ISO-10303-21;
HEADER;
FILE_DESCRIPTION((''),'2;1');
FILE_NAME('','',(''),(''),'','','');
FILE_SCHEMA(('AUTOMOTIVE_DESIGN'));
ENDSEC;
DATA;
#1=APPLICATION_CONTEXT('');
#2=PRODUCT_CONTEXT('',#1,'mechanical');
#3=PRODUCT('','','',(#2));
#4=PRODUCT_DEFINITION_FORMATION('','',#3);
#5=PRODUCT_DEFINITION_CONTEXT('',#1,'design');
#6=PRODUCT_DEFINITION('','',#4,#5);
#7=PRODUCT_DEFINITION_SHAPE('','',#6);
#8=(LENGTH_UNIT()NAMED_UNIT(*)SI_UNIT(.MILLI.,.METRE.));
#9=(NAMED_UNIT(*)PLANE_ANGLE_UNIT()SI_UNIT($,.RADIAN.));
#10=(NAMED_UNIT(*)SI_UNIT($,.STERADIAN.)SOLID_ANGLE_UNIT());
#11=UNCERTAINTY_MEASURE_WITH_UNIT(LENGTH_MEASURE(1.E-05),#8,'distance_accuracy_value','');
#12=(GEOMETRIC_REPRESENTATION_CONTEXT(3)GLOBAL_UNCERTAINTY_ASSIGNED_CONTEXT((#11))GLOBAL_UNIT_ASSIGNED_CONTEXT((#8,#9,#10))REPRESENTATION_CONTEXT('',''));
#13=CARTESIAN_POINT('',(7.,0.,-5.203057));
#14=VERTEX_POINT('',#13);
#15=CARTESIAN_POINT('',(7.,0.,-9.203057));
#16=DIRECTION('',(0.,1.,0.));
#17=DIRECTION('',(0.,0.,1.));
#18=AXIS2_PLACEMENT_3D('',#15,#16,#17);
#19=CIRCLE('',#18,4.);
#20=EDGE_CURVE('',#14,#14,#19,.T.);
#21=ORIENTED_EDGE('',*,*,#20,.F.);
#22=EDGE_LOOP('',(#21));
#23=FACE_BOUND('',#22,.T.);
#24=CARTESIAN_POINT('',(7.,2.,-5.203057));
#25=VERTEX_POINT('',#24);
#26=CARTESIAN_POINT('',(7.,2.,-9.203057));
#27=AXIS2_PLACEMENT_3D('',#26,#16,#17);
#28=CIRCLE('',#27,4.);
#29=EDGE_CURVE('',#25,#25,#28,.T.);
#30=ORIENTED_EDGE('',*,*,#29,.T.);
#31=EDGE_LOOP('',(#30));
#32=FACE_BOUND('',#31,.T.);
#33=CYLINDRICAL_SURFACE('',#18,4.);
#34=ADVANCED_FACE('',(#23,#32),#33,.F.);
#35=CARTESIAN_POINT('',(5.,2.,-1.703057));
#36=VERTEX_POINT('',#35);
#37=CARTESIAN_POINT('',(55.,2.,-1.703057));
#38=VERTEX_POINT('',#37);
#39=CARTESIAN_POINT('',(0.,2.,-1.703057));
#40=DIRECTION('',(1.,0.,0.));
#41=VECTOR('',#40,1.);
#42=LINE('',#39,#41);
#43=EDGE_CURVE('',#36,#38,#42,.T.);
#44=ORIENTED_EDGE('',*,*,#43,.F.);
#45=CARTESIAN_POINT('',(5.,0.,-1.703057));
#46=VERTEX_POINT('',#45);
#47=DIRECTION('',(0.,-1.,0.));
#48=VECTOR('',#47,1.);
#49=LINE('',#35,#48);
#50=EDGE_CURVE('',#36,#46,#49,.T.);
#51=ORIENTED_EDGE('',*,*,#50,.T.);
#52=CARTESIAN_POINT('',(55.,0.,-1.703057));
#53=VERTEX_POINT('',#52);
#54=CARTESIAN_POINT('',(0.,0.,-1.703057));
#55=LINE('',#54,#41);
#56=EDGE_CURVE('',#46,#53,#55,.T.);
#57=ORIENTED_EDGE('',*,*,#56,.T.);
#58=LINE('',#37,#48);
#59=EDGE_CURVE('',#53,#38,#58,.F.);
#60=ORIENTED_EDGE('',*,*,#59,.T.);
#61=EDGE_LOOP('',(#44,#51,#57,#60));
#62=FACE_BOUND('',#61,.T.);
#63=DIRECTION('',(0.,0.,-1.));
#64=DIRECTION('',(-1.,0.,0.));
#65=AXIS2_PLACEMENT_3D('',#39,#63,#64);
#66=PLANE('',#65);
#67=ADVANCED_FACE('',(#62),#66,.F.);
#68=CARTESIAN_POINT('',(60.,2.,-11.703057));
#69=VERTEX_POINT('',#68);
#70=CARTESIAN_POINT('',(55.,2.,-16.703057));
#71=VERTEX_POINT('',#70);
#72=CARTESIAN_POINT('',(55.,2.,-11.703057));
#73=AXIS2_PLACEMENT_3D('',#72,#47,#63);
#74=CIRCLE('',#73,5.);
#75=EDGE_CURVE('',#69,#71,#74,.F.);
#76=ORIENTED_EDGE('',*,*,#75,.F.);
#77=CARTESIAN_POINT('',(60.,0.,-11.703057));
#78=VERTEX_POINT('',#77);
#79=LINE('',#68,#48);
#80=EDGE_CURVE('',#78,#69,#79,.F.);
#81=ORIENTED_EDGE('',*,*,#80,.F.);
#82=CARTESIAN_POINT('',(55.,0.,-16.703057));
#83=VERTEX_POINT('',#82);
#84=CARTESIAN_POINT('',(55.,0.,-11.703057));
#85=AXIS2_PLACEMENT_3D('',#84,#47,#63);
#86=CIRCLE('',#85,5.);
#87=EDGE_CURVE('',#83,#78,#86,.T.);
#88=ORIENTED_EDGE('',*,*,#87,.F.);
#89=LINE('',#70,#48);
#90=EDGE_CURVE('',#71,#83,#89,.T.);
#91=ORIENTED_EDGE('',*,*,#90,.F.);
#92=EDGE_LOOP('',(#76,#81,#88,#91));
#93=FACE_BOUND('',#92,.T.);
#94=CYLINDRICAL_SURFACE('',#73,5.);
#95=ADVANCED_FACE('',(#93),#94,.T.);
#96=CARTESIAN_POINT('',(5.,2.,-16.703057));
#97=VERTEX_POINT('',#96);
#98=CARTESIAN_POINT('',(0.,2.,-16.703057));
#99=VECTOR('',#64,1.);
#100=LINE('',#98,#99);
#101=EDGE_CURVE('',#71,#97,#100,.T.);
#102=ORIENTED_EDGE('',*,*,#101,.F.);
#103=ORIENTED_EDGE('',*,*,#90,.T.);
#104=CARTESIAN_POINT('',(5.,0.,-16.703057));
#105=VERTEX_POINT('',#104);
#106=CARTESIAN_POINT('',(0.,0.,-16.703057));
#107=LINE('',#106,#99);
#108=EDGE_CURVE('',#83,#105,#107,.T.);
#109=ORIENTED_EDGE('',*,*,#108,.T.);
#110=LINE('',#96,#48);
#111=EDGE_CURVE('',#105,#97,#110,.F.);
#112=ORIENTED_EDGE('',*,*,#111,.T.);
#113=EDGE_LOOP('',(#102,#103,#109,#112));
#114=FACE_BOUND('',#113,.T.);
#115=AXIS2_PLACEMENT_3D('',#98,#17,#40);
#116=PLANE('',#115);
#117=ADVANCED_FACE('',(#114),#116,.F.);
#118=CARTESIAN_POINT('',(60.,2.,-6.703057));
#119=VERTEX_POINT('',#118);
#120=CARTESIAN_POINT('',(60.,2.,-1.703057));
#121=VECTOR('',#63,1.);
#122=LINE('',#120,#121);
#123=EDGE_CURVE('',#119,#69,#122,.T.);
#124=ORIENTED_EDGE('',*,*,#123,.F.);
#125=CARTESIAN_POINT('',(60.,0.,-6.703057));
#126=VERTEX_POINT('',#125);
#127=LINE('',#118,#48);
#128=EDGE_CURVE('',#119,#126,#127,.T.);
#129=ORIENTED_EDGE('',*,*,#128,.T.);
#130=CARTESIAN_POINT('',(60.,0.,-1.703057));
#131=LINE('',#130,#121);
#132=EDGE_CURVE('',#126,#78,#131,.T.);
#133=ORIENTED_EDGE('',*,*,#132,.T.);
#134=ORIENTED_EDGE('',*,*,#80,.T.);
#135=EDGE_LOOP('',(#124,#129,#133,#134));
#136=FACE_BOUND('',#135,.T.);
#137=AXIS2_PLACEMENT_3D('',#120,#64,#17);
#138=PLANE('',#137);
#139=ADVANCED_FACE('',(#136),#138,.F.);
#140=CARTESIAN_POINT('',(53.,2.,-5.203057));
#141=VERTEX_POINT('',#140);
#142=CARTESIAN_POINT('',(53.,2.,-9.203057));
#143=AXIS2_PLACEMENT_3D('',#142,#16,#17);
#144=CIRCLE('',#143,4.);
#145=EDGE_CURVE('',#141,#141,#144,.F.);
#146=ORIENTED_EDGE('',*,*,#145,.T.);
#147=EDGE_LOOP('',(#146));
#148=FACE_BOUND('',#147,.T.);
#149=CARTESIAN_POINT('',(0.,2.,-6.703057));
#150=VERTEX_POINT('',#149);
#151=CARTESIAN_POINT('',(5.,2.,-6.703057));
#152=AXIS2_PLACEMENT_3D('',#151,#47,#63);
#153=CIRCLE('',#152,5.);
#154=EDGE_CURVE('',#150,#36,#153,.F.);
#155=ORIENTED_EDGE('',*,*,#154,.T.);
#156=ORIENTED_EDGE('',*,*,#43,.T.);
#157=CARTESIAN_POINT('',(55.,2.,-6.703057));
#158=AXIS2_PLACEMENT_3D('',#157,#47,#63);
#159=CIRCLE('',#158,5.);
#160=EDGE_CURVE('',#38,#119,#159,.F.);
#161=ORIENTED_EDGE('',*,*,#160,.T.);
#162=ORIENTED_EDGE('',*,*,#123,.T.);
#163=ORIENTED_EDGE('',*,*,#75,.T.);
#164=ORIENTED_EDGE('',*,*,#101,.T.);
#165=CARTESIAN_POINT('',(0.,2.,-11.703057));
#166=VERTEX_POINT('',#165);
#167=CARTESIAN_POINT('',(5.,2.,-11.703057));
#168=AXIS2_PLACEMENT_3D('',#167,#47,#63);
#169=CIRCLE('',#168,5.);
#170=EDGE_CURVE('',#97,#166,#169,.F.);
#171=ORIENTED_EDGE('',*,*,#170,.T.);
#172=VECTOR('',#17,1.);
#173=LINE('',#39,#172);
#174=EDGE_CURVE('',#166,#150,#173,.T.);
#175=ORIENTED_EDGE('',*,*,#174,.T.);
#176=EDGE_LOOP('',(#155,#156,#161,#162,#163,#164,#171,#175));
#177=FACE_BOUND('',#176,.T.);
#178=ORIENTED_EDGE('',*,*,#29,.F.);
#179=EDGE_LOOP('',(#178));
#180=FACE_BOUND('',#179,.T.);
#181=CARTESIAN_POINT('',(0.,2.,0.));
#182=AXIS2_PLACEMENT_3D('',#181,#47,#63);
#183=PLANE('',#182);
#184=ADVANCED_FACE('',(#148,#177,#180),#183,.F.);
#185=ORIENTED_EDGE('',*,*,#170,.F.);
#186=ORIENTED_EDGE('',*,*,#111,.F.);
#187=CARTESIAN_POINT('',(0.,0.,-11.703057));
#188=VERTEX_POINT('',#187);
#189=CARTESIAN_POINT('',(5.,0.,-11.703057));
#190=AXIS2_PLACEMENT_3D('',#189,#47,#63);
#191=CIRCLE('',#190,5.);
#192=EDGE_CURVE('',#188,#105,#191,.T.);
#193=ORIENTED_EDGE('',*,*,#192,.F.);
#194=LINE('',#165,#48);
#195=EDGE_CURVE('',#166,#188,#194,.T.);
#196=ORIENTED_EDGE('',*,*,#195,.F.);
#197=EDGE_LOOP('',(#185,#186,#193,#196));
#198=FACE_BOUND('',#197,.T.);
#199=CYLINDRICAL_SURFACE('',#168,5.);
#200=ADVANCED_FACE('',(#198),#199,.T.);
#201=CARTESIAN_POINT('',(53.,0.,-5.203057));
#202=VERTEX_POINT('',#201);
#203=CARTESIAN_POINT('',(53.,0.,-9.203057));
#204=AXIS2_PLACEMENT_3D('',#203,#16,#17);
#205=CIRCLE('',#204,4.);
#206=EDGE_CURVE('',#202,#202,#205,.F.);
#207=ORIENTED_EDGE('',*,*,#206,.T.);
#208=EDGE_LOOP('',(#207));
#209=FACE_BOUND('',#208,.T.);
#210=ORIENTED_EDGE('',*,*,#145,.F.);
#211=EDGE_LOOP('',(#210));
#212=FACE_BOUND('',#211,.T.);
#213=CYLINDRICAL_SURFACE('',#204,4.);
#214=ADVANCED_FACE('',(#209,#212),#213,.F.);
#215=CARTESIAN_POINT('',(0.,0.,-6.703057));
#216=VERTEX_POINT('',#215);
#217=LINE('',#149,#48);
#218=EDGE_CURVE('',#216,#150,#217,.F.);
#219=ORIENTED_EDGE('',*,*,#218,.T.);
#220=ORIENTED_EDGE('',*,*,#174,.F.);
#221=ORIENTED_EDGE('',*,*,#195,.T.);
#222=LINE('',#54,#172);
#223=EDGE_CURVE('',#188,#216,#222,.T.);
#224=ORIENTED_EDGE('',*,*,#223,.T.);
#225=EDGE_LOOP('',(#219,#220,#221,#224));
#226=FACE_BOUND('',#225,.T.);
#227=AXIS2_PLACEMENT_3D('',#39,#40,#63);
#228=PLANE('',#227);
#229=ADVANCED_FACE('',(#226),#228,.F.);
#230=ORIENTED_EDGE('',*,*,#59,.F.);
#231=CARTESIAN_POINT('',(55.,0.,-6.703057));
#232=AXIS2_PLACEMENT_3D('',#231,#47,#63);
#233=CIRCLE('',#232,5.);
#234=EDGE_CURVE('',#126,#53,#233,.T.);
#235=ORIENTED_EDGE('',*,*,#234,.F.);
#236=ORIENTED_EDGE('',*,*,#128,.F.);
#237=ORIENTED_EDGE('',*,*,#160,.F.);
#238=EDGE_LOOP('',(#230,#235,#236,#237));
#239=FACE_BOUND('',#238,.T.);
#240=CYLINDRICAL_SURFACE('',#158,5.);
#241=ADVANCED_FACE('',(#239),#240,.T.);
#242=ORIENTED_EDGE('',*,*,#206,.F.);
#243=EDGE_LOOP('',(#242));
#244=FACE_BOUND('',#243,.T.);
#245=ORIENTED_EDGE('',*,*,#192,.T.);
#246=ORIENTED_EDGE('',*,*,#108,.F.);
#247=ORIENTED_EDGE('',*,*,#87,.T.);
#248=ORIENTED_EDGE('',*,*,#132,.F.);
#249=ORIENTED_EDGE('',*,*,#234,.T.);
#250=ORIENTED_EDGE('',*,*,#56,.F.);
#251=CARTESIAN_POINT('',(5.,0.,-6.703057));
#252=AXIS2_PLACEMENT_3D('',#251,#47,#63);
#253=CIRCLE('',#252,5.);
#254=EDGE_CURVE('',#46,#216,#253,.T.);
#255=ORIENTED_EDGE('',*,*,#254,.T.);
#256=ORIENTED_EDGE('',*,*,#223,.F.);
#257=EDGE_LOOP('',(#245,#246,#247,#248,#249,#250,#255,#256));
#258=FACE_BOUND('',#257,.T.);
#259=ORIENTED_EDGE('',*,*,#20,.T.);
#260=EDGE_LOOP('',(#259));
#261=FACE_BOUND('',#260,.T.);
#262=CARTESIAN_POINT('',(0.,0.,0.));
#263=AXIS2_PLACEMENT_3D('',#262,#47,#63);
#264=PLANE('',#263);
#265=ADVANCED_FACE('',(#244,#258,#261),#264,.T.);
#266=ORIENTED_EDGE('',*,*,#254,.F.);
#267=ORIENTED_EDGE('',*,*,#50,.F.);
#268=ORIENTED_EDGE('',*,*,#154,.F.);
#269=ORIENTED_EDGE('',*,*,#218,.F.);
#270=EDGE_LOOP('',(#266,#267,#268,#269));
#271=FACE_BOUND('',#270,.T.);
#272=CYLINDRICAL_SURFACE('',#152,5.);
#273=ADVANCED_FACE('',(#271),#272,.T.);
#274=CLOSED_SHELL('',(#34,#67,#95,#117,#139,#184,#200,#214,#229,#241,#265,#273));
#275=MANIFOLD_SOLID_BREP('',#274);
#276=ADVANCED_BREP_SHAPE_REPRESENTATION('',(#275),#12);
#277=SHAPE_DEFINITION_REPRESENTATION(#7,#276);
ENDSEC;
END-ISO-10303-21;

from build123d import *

# Parameters (mm, degrees)
SKETCH1_W           = 60
SKETCH1_H           = 15
BOSS_EXTRUDE1_DEPTH = 2
SKETCH2_R           = 4
CUT_EXTRUDE1_DEPTH  = 2
FILLET2_R           = 5


with BuildPart() as part:
    # Sketch1 → Boss-Extrude1 (new body)
    with BuildSketch(Plane(origin=(0, 0, 0), x_dir=(1, 0, 0), z_dir=(0, 1, 0))):
        with Locations((30, 9.203056769)):
            Rectangle(SKETCH1_W, SKETCH1_H)
    extrude(amount=BOSS_EXTRUDE1_DEPTH)

    # Sketch2 → Cut-Extrude1 (cut)
    with BuildSketch(Plane(origin=(0, 2, 0), x_dir=(1, 0, 0), z_dir=(0, 1, 0))):
        with Locations(Location((7, 9.203056769, 0), (0, 0, 270))):
            Circle(SKETCH2_R)
        with Locations(Location((53, 9.203056769, 0), (0, 0, 270))):
            Circle(SKETCH2_R)
    extrude(amount=-CUT_EXTRUDE1_DEPTH, mode=Mode.SUBTRACT)

    # Fillet2
    fillet2_edges = [part.edges().sort_by_distance(p)[0] for p in [
        (0, 1, -16.703056769),
        (60, 1, -16.703056769),
        (60, 1, -1.703056769),
        (0, 1, -1.703056769),
    ]]
    fillet(fillet2_edges, radius=FILLET2_R)


solid = part.part
